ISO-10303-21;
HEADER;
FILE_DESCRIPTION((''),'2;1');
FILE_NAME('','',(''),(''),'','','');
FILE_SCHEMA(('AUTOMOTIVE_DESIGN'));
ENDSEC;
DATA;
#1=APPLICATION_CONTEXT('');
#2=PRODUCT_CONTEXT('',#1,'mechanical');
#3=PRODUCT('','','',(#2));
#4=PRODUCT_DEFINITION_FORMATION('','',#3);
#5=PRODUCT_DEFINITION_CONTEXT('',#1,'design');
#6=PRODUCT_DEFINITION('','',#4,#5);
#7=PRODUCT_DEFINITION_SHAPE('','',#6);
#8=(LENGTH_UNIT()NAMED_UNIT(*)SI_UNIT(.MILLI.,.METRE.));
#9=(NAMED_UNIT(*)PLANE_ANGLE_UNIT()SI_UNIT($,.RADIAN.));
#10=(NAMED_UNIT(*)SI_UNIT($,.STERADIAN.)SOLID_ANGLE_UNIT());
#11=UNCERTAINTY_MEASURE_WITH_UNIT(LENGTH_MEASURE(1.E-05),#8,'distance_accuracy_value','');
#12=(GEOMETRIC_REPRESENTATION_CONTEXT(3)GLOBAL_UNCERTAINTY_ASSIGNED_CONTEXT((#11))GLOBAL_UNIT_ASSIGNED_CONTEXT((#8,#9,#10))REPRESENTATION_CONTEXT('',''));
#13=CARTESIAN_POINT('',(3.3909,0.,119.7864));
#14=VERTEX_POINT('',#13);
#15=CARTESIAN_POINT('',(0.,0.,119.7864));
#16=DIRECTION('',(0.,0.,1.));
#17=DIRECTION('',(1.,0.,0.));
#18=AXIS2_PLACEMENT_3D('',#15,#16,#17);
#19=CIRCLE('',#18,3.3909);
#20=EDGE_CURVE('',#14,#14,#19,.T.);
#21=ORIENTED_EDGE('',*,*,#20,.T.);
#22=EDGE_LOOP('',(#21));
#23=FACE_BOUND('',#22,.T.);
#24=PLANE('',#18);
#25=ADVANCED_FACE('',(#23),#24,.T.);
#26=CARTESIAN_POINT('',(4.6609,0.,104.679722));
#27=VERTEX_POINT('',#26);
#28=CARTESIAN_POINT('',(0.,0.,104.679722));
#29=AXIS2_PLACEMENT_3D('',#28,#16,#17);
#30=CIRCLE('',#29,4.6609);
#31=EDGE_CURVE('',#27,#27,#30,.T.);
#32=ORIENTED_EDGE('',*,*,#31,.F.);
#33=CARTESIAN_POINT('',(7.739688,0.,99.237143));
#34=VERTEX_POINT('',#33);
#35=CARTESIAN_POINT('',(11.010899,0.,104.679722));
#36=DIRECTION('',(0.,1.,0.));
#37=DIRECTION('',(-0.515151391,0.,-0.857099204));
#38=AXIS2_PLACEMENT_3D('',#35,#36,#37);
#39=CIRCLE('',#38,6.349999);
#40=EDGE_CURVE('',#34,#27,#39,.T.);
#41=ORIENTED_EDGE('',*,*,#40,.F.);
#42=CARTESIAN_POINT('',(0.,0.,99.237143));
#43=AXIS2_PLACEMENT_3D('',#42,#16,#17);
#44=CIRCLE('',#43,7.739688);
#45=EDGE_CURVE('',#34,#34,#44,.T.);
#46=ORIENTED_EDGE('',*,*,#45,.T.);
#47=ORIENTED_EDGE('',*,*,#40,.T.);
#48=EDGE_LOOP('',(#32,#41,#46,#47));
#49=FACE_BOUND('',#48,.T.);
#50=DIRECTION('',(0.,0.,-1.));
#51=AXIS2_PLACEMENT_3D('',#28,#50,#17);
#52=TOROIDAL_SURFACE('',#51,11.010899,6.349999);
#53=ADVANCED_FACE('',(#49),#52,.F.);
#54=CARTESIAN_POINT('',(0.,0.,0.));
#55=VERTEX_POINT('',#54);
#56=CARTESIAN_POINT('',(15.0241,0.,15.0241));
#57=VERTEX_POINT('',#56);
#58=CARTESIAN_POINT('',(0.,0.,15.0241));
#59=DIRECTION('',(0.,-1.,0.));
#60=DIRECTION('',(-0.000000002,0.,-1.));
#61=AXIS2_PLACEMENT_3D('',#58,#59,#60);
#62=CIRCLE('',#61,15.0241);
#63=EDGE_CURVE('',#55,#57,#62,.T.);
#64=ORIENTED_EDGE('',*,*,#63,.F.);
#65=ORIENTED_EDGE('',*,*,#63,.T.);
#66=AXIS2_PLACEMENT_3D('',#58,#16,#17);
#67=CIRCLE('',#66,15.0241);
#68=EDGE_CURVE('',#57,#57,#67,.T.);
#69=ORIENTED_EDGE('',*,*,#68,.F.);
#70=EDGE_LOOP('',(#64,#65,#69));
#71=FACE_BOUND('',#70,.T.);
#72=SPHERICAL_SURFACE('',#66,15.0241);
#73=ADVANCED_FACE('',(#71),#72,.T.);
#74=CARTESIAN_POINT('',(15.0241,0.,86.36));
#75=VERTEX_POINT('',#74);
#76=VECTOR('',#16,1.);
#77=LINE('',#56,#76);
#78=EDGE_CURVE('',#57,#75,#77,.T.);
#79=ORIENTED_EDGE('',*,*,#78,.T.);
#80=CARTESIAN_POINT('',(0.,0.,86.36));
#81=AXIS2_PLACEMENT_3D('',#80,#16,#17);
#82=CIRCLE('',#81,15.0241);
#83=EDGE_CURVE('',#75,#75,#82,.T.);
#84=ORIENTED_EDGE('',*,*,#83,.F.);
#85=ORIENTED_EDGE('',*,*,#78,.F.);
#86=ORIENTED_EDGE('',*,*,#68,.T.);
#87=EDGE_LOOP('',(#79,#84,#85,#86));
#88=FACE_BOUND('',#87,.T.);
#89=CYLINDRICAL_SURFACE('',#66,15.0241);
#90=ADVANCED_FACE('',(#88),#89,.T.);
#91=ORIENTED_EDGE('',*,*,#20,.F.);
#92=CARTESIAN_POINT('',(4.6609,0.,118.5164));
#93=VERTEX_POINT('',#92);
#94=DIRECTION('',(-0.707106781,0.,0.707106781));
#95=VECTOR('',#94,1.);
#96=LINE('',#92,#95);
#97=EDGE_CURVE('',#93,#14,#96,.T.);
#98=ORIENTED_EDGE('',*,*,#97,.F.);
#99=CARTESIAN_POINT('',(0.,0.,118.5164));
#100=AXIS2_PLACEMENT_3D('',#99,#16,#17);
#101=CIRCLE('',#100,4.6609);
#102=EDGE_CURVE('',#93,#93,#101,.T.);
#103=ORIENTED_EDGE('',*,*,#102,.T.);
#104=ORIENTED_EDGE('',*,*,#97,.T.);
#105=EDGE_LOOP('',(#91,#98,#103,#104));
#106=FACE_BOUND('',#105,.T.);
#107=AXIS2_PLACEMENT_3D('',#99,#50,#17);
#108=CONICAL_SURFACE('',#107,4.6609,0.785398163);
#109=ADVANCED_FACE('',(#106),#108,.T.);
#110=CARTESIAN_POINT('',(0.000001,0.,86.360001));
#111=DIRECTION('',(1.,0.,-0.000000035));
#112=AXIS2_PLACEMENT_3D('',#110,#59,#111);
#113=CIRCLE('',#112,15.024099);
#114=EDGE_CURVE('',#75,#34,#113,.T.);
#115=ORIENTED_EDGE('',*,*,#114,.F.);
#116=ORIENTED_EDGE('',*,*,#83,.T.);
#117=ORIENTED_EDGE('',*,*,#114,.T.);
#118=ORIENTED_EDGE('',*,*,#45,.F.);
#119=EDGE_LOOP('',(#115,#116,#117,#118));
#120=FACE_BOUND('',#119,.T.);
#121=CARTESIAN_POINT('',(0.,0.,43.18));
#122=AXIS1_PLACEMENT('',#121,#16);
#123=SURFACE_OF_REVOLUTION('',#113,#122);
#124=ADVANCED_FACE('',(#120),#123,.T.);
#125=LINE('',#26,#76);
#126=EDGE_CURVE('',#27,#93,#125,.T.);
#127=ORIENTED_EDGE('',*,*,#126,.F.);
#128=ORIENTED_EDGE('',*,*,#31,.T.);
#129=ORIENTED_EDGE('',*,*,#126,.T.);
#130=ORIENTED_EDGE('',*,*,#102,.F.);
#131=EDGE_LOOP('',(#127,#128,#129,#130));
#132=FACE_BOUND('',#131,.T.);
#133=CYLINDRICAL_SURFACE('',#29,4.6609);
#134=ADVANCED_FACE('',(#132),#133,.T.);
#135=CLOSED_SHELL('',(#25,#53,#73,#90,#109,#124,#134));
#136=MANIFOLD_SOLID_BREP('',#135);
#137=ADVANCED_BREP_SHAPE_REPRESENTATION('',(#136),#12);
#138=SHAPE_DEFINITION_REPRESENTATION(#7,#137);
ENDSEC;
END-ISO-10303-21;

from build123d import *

# Parameters (mm, degrees)
F2_SIZE = 1.27


with BuildPart() as f1:
    # F0 (on Front) → F1 (revolve)
    with BuildSketch(Plane.XZ):
        with BuildLine():
            Line((0, 15.0241), (0, 0))
            ThreePointArc((0, 0), (10.623643, 4.400457), (15.0241, 15.0241))
            Line((15.0241, 15.0241), (0, 15.0241))
        make_face()
        with BuildLine():
            Line((0, 86.36), (0, 15.0241))
            Line((0, 15.0241), (15.0241, 15.0241))
            Line((15.0241, 15.0241), (15.0241, 86.36))
            ThreePointArc((15.0241, 86.36), (13.076801, 93.757355), (7.739688, 99.237143))
            ThreePointArc((7.739688, 99.237143), (5.483934, 101.553199), (4.6609, 104.679722))
            Line((4.6609, 104.679722), (4.6609, 119.7864))
            Line((4.6609, 119.7864), (0, 119.7864))
            Line((0, 119.7864), (0, 86.36))
        make_face()
    revolve(axis=Axis((0, 0, 43.18), (0, 0, 1)))

    # F2
    f2_edges = [f1.edges().sort_by_distance(p)[0] for p in [
        (-4.6609, 0, 119.7864),
    ]]
    chamfer(f2_edges, length=F2_SIZE)


solid = f1.part
